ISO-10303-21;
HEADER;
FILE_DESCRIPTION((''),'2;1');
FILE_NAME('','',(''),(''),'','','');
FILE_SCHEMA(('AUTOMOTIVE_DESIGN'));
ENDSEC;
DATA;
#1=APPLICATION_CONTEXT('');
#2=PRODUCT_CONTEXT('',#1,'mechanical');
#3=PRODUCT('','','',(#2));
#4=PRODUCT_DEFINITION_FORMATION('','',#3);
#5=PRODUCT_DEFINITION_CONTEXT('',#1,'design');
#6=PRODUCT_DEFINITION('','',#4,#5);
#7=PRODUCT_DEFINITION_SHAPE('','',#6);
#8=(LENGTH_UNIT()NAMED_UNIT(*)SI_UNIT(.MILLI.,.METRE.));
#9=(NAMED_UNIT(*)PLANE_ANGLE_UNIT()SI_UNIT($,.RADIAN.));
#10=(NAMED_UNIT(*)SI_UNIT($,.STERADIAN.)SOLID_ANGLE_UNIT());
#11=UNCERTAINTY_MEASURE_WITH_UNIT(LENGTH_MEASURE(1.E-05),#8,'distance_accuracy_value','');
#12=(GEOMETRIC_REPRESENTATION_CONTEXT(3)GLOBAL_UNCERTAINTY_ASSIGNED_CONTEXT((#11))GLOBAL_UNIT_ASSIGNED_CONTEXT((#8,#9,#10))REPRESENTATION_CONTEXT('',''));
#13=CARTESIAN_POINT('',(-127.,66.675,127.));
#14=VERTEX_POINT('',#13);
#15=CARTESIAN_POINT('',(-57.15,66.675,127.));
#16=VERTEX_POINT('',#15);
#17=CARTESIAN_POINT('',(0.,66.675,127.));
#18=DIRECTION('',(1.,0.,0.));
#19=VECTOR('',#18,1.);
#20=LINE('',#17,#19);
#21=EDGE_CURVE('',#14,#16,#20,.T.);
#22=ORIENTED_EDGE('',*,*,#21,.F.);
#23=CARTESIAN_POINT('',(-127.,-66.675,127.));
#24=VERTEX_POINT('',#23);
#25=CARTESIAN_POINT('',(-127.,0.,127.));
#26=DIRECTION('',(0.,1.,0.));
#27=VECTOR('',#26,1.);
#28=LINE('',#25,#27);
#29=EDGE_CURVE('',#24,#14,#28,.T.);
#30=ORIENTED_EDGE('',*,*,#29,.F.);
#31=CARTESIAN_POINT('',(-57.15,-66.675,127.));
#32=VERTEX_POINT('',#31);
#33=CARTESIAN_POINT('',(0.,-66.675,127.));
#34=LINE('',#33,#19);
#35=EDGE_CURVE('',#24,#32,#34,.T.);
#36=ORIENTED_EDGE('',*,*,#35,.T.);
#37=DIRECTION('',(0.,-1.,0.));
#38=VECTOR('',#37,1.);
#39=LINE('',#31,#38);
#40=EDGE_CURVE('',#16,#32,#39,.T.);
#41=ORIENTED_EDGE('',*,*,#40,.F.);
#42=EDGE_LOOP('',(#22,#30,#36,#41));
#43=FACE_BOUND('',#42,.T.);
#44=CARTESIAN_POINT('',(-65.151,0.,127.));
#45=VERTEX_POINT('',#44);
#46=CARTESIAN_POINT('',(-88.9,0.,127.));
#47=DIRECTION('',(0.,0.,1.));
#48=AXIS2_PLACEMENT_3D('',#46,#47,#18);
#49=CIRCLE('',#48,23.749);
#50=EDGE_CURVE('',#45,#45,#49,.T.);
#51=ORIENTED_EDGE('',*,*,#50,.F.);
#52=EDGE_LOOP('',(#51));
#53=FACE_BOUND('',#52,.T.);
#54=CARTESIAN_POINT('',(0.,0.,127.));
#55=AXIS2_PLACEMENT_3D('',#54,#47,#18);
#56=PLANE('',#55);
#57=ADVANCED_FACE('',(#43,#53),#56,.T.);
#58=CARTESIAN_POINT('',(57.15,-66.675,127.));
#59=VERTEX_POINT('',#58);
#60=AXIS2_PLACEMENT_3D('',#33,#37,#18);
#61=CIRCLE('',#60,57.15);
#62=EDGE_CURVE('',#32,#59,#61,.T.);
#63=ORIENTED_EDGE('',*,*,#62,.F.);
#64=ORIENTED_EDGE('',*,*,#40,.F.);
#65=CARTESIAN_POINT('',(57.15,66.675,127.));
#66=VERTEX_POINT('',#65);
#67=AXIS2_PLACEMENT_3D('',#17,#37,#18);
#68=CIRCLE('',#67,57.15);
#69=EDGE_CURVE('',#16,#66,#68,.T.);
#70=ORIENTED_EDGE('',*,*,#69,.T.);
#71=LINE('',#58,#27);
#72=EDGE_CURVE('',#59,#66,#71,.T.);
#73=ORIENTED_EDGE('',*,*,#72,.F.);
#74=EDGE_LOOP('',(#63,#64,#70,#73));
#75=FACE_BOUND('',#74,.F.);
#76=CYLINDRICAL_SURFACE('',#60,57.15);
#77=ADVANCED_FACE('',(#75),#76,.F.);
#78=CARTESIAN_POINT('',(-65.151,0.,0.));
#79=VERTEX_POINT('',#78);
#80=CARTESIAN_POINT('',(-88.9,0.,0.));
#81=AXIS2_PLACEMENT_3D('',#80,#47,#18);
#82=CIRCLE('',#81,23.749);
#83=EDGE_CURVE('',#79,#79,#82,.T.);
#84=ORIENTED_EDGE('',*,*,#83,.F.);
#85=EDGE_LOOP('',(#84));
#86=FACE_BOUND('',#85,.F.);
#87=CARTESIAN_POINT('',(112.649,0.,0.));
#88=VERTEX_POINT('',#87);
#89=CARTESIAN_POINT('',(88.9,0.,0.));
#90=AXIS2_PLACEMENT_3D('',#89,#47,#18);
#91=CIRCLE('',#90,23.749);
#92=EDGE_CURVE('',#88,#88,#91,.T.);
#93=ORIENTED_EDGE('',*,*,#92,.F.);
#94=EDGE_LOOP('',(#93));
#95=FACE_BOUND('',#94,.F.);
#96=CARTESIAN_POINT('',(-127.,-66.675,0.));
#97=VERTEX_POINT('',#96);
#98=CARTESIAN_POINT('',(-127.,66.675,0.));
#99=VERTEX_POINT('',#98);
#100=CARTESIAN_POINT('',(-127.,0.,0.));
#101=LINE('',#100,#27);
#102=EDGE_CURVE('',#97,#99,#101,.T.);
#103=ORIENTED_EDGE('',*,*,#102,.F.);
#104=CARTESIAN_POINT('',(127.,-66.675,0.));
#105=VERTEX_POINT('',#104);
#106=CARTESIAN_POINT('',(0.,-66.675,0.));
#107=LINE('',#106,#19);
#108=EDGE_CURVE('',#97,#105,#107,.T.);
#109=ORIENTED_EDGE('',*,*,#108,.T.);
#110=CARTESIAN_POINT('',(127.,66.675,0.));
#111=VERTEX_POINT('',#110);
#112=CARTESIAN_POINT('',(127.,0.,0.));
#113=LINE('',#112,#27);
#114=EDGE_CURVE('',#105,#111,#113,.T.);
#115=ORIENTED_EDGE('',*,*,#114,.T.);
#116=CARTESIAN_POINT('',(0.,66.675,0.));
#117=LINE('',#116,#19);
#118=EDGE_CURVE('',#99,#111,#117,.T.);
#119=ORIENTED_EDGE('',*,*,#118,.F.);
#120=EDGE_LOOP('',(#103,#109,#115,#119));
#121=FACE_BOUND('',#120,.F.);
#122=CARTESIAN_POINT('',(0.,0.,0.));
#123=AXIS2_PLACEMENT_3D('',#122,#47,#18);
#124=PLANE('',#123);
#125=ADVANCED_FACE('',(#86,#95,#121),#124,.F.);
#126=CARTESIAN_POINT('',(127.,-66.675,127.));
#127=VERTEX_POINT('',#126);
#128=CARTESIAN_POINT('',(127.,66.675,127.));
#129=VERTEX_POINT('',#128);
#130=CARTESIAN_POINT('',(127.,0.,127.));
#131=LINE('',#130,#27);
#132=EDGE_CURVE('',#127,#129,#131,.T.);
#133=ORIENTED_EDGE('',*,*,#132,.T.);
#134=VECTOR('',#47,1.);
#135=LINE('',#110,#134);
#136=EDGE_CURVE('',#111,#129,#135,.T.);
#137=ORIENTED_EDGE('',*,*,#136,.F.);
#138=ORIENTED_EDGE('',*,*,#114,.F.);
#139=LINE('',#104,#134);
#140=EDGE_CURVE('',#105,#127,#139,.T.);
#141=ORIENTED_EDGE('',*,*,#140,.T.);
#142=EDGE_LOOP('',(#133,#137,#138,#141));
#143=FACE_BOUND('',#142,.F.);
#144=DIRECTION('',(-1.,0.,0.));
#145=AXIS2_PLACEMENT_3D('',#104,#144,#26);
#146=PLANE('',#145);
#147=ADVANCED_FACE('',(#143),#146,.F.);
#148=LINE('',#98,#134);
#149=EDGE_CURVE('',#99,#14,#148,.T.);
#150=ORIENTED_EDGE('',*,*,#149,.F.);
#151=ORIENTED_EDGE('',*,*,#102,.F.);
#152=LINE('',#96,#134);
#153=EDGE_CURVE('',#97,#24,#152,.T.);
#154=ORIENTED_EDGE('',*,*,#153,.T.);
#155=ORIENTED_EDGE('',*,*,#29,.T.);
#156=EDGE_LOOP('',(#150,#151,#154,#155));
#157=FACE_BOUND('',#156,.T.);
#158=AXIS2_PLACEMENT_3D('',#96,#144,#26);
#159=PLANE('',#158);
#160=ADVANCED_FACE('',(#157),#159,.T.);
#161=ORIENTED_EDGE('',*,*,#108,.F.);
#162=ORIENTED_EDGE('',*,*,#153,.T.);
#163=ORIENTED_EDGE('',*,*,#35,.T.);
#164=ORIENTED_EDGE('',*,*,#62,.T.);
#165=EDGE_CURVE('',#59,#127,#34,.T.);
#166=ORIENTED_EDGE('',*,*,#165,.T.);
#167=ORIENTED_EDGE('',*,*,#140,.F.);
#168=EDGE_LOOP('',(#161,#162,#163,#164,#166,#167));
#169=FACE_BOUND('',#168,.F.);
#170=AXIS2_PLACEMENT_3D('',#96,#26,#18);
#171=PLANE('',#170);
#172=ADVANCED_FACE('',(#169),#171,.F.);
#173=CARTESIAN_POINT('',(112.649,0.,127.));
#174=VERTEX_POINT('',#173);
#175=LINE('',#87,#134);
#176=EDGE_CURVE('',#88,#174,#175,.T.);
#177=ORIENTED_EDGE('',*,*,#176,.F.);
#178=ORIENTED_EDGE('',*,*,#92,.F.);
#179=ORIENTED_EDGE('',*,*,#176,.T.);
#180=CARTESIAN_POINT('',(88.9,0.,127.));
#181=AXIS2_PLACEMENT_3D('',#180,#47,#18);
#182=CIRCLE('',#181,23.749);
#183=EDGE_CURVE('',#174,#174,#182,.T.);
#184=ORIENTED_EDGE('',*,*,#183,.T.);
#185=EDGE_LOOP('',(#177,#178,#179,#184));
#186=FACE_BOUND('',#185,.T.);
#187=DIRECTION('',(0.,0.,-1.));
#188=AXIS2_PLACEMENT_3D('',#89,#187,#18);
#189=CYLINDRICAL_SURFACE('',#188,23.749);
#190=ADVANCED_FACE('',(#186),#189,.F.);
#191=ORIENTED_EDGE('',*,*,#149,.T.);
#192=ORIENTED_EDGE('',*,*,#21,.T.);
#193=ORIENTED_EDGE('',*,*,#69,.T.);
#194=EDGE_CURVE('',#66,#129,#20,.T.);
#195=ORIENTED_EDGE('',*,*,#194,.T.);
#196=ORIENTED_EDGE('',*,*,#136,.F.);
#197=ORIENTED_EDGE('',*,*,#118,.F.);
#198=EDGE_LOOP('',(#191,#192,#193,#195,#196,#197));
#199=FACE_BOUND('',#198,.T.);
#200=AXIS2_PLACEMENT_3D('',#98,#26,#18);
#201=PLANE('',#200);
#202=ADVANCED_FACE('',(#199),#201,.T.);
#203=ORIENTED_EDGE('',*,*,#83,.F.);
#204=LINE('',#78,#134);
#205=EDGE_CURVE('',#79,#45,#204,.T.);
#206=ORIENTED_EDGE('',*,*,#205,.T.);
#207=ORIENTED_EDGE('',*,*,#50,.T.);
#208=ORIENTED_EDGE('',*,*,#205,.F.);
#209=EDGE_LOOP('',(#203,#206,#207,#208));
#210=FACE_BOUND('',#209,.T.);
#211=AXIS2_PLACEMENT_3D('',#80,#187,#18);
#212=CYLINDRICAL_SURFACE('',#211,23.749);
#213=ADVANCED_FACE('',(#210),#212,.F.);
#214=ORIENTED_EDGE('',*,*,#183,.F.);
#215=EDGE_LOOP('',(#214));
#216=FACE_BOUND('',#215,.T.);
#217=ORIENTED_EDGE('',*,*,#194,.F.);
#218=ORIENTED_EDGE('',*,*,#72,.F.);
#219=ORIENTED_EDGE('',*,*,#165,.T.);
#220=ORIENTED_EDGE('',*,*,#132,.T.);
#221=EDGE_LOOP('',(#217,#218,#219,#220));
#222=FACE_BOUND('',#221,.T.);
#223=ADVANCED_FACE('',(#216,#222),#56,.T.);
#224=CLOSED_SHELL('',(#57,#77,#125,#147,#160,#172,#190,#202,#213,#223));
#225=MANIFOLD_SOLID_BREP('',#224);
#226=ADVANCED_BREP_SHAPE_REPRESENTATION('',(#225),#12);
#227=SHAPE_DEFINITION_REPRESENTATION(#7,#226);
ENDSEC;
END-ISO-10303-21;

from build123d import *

# Parameters (mm, degrees)
F0_W     = 254
F0_H     = 133.35
F0_R     = 23.749
F1_DEPTH = 127
F3_DEPTH = 133.351


with BuildPart() as f1:
    # F0 (on Top) → F1 (new body)
    with BuildSketch(Plane.XY):
        Rectangle(F0_W, F0_H)
        with Locations((-88.9, 0)):
            Circle(F0_R, mode=Mode.SUBTRACT)
        with Locations((88.9, 0)):
            Circle(F0_R, mode=Mode.SUBTRACT)
    extrude(amount=F1_DEPTH)

    # F2 (on face) → F3 (cut, through all)
    with BuildSketch(Plane.XZ.offset(66.675)):
        with BuildLine():
            ThreePointArc((-57.15, 127), (0, 69.85), (57.15, 127))
            Line((57.15, 127), (-57.15, 127))
        make_face()
        with BuildLine():
            Line((-57.15, 127), (57.15, 127))
            ThreePointArc((57.15, 127), (0, 184.15), (-57.15, 127))
        make_face()
    extrude(amount=-F3_DEPTH, mode=Mode.SUBTRACT)


solid = f1.part
